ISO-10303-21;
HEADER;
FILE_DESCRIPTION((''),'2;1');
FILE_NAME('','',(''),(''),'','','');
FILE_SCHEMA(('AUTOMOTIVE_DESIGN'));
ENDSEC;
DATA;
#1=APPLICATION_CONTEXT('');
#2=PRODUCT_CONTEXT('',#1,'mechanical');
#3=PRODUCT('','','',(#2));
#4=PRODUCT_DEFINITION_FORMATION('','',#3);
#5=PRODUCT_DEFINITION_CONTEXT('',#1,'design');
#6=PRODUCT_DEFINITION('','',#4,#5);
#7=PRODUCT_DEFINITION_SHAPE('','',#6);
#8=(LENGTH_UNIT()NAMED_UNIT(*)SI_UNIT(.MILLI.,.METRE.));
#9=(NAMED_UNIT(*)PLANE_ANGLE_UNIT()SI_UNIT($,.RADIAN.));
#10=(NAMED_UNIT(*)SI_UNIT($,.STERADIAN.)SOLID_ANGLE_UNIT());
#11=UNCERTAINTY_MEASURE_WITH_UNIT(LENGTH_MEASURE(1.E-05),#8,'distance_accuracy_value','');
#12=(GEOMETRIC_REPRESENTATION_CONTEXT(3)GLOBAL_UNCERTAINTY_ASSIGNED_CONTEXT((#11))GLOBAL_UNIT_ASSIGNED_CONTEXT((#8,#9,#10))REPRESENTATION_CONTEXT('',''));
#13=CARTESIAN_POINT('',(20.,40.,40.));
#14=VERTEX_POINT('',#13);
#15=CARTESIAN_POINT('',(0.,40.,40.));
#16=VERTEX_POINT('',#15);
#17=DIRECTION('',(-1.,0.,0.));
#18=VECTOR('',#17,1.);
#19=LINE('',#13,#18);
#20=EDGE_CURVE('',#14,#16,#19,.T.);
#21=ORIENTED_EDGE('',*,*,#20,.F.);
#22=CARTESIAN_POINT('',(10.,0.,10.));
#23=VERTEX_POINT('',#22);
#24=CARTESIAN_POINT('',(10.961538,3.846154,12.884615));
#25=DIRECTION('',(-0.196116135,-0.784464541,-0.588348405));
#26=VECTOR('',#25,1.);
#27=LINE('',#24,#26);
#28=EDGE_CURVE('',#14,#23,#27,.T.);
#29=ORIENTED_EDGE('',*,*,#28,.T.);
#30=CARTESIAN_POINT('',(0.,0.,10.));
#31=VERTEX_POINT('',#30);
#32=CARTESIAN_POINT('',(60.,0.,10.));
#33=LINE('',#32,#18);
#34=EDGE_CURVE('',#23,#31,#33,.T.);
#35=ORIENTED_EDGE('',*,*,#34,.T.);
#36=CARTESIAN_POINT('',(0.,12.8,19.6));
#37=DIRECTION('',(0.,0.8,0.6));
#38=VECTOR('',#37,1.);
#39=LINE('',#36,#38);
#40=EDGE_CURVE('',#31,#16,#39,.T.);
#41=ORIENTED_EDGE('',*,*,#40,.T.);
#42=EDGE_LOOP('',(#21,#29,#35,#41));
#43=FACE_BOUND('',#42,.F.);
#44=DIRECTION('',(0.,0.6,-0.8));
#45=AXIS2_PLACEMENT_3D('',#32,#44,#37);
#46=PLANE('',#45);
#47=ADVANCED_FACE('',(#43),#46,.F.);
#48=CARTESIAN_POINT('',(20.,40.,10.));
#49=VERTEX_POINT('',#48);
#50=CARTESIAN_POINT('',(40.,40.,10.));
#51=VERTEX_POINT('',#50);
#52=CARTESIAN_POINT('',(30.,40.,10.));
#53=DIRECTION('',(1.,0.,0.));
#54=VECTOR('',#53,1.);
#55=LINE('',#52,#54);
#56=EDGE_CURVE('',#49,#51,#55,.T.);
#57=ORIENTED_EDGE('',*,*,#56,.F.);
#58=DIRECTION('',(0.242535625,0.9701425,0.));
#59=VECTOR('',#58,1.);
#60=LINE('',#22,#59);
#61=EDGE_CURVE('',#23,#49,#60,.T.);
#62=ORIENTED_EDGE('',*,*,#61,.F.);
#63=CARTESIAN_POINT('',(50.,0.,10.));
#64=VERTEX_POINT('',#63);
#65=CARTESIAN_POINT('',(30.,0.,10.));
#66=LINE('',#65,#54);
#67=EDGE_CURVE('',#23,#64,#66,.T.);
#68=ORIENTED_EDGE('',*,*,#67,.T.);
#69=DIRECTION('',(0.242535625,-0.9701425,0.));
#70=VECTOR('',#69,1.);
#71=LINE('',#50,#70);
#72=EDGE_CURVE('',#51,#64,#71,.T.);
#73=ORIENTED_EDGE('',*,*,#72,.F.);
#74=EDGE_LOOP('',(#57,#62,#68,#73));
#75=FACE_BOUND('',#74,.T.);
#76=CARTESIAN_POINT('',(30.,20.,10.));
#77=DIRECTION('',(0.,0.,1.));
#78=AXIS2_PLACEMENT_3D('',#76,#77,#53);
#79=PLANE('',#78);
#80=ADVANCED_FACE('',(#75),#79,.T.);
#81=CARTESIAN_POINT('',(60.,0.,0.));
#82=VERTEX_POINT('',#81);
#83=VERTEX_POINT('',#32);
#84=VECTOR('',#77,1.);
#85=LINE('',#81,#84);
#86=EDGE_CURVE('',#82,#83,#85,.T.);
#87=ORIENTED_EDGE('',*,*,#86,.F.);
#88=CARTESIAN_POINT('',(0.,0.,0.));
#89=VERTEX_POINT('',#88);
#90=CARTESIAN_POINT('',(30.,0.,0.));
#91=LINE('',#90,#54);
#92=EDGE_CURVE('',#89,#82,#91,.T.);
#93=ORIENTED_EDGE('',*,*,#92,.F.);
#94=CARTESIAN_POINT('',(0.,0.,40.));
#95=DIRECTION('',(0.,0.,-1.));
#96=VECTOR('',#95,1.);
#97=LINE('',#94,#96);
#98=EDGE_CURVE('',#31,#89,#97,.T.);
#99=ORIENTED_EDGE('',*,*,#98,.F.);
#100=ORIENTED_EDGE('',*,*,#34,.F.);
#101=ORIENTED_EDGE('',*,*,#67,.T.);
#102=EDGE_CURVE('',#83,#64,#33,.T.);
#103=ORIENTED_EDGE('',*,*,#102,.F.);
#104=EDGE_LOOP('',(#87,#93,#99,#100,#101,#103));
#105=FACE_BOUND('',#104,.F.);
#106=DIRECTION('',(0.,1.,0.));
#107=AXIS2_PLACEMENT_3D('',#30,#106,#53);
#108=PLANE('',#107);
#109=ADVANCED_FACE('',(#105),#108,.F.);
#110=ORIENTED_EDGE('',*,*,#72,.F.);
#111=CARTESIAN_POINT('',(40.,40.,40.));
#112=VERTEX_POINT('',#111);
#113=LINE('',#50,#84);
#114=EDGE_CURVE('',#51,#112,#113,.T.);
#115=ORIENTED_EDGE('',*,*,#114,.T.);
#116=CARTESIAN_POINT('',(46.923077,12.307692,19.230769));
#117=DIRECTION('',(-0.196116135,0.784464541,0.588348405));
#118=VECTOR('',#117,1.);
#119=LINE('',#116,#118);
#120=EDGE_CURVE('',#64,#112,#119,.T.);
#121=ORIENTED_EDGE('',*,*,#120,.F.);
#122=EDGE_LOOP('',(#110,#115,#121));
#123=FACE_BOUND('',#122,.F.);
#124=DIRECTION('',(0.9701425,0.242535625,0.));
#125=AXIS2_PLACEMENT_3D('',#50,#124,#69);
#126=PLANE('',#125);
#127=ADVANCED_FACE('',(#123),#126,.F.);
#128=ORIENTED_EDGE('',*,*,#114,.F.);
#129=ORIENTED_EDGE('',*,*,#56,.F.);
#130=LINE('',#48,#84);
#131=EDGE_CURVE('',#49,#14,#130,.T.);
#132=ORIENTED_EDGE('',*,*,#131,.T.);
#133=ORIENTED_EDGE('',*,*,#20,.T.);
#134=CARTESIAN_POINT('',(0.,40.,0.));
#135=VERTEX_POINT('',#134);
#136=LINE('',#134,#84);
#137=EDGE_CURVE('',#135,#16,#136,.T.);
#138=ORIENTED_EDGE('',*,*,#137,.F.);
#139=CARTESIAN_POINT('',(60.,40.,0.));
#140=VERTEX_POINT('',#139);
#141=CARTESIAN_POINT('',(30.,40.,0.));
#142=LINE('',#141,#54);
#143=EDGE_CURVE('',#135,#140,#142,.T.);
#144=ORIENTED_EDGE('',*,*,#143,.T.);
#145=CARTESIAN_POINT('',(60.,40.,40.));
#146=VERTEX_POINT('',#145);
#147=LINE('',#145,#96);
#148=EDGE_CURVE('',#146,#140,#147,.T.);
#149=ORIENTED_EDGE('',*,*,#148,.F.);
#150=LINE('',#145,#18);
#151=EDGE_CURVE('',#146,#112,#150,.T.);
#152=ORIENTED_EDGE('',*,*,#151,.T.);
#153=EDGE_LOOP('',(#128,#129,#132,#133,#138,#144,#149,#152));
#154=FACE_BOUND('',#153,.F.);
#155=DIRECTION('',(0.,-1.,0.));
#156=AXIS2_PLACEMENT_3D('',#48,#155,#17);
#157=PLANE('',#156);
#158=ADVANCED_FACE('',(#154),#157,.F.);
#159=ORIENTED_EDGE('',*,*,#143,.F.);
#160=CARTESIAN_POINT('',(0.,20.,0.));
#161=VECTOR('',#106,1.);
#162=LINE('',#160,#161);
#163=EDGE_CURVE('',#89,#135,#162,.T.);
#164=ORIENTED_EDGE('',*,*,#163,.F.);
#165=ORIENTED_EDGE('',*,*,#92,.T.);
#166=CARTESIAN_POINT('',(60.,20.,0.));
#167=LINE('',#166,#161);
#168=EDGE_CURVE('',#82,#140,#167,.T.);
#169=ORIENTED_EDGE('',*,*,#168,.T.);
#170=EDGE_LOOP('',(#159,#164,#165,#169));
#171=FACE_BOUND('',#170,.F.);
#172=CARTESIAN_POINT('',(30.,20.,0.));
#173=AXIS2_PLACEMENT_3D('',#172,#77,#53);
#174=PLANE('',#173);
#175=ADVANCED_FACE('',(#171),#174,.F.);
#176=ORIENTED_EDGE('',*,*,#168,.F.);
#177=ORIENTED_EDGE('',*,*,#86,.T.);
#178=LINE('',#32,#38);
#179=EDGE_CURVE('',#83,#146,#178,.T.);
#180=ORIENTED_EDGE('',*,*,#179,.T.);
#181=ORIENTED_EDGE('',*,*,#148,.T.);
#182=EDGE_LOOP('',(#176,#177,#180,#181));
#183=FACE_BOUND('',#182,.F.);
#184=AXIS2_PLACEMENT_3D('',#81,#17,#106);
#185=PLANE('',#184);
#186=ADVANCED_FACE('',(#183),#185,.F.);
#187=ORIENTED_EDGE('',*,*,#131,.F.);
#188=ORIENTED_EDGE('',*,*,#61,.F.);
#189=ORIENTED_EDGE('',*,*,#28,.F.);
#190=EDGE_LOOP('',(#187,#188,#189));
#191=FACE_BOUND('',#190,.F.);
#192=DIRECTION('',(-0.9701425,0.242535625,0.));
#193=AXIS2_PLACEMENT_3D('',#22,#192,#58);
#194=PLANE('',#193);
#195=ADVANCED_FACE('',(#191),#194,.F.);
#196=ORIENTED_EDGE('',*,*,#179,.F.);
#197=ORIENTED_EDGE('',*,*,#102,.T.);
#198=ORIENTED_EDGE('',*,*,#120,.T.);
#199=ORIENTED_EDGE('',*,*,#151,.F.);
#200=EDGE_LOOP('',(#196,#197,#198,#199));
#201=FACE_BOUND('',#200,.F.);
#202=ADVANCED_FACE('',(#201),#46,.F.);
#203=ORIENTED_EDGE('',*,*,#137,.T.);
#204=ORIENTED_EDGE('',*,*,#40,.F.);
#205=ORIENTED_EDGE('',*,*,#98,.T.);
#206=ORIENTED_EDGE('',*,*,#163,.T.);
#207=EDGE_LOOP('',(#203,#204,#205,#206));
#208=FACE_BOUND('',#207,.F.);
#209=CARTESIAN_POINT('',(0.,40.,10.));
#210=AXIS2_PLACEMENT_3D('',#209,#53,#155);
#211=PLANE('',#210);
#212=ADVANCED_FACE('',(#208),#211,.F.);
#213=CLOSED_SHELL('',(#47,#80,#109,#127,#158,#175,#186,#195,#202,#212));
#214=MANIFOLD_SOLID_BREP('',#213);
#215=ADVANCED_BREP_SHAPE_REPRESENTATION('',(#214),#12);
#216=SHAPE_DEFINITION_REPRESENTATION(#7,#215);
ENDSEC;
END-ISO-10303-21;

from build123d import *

# Parameters (mm, degrees)
F0_W     = 60
F0_H     = 40
F1_DEPTH = 10
F3_DEPTH = 30
F5_DEPTH = 60.001


with BuildPart() as f1:
    # F0 (on Top) → F1 (new body)
    with BuildSketch(Plane.XY):
        with Locations((30, 20)):
            Rectangle(F0_W, F0_H)
    extrude(amount=F1_DEPTH)

    # F2 (on face) → F3 (join)
    with BuildSketch(Plane.XY.offset(10)):
        Polygon((10, 0), (20, 40), (0, 40), (0, 0), align=None)
        Polygon((60, 0), (60, 40), (40, 40), (50, 0), align=None)
    extrude(amount=F3_DEPTH)

    # F4 (on face) → F5 (cut, through all)
    with BuildSketch(Plane.YZ.offset(60)):
        Polygon((0, 40), (0, 10), (40, 40), align=None)
    extrude(amount=-F5_DEPTH, mode=Mode.SUBTRACT)


solid = f1.part
